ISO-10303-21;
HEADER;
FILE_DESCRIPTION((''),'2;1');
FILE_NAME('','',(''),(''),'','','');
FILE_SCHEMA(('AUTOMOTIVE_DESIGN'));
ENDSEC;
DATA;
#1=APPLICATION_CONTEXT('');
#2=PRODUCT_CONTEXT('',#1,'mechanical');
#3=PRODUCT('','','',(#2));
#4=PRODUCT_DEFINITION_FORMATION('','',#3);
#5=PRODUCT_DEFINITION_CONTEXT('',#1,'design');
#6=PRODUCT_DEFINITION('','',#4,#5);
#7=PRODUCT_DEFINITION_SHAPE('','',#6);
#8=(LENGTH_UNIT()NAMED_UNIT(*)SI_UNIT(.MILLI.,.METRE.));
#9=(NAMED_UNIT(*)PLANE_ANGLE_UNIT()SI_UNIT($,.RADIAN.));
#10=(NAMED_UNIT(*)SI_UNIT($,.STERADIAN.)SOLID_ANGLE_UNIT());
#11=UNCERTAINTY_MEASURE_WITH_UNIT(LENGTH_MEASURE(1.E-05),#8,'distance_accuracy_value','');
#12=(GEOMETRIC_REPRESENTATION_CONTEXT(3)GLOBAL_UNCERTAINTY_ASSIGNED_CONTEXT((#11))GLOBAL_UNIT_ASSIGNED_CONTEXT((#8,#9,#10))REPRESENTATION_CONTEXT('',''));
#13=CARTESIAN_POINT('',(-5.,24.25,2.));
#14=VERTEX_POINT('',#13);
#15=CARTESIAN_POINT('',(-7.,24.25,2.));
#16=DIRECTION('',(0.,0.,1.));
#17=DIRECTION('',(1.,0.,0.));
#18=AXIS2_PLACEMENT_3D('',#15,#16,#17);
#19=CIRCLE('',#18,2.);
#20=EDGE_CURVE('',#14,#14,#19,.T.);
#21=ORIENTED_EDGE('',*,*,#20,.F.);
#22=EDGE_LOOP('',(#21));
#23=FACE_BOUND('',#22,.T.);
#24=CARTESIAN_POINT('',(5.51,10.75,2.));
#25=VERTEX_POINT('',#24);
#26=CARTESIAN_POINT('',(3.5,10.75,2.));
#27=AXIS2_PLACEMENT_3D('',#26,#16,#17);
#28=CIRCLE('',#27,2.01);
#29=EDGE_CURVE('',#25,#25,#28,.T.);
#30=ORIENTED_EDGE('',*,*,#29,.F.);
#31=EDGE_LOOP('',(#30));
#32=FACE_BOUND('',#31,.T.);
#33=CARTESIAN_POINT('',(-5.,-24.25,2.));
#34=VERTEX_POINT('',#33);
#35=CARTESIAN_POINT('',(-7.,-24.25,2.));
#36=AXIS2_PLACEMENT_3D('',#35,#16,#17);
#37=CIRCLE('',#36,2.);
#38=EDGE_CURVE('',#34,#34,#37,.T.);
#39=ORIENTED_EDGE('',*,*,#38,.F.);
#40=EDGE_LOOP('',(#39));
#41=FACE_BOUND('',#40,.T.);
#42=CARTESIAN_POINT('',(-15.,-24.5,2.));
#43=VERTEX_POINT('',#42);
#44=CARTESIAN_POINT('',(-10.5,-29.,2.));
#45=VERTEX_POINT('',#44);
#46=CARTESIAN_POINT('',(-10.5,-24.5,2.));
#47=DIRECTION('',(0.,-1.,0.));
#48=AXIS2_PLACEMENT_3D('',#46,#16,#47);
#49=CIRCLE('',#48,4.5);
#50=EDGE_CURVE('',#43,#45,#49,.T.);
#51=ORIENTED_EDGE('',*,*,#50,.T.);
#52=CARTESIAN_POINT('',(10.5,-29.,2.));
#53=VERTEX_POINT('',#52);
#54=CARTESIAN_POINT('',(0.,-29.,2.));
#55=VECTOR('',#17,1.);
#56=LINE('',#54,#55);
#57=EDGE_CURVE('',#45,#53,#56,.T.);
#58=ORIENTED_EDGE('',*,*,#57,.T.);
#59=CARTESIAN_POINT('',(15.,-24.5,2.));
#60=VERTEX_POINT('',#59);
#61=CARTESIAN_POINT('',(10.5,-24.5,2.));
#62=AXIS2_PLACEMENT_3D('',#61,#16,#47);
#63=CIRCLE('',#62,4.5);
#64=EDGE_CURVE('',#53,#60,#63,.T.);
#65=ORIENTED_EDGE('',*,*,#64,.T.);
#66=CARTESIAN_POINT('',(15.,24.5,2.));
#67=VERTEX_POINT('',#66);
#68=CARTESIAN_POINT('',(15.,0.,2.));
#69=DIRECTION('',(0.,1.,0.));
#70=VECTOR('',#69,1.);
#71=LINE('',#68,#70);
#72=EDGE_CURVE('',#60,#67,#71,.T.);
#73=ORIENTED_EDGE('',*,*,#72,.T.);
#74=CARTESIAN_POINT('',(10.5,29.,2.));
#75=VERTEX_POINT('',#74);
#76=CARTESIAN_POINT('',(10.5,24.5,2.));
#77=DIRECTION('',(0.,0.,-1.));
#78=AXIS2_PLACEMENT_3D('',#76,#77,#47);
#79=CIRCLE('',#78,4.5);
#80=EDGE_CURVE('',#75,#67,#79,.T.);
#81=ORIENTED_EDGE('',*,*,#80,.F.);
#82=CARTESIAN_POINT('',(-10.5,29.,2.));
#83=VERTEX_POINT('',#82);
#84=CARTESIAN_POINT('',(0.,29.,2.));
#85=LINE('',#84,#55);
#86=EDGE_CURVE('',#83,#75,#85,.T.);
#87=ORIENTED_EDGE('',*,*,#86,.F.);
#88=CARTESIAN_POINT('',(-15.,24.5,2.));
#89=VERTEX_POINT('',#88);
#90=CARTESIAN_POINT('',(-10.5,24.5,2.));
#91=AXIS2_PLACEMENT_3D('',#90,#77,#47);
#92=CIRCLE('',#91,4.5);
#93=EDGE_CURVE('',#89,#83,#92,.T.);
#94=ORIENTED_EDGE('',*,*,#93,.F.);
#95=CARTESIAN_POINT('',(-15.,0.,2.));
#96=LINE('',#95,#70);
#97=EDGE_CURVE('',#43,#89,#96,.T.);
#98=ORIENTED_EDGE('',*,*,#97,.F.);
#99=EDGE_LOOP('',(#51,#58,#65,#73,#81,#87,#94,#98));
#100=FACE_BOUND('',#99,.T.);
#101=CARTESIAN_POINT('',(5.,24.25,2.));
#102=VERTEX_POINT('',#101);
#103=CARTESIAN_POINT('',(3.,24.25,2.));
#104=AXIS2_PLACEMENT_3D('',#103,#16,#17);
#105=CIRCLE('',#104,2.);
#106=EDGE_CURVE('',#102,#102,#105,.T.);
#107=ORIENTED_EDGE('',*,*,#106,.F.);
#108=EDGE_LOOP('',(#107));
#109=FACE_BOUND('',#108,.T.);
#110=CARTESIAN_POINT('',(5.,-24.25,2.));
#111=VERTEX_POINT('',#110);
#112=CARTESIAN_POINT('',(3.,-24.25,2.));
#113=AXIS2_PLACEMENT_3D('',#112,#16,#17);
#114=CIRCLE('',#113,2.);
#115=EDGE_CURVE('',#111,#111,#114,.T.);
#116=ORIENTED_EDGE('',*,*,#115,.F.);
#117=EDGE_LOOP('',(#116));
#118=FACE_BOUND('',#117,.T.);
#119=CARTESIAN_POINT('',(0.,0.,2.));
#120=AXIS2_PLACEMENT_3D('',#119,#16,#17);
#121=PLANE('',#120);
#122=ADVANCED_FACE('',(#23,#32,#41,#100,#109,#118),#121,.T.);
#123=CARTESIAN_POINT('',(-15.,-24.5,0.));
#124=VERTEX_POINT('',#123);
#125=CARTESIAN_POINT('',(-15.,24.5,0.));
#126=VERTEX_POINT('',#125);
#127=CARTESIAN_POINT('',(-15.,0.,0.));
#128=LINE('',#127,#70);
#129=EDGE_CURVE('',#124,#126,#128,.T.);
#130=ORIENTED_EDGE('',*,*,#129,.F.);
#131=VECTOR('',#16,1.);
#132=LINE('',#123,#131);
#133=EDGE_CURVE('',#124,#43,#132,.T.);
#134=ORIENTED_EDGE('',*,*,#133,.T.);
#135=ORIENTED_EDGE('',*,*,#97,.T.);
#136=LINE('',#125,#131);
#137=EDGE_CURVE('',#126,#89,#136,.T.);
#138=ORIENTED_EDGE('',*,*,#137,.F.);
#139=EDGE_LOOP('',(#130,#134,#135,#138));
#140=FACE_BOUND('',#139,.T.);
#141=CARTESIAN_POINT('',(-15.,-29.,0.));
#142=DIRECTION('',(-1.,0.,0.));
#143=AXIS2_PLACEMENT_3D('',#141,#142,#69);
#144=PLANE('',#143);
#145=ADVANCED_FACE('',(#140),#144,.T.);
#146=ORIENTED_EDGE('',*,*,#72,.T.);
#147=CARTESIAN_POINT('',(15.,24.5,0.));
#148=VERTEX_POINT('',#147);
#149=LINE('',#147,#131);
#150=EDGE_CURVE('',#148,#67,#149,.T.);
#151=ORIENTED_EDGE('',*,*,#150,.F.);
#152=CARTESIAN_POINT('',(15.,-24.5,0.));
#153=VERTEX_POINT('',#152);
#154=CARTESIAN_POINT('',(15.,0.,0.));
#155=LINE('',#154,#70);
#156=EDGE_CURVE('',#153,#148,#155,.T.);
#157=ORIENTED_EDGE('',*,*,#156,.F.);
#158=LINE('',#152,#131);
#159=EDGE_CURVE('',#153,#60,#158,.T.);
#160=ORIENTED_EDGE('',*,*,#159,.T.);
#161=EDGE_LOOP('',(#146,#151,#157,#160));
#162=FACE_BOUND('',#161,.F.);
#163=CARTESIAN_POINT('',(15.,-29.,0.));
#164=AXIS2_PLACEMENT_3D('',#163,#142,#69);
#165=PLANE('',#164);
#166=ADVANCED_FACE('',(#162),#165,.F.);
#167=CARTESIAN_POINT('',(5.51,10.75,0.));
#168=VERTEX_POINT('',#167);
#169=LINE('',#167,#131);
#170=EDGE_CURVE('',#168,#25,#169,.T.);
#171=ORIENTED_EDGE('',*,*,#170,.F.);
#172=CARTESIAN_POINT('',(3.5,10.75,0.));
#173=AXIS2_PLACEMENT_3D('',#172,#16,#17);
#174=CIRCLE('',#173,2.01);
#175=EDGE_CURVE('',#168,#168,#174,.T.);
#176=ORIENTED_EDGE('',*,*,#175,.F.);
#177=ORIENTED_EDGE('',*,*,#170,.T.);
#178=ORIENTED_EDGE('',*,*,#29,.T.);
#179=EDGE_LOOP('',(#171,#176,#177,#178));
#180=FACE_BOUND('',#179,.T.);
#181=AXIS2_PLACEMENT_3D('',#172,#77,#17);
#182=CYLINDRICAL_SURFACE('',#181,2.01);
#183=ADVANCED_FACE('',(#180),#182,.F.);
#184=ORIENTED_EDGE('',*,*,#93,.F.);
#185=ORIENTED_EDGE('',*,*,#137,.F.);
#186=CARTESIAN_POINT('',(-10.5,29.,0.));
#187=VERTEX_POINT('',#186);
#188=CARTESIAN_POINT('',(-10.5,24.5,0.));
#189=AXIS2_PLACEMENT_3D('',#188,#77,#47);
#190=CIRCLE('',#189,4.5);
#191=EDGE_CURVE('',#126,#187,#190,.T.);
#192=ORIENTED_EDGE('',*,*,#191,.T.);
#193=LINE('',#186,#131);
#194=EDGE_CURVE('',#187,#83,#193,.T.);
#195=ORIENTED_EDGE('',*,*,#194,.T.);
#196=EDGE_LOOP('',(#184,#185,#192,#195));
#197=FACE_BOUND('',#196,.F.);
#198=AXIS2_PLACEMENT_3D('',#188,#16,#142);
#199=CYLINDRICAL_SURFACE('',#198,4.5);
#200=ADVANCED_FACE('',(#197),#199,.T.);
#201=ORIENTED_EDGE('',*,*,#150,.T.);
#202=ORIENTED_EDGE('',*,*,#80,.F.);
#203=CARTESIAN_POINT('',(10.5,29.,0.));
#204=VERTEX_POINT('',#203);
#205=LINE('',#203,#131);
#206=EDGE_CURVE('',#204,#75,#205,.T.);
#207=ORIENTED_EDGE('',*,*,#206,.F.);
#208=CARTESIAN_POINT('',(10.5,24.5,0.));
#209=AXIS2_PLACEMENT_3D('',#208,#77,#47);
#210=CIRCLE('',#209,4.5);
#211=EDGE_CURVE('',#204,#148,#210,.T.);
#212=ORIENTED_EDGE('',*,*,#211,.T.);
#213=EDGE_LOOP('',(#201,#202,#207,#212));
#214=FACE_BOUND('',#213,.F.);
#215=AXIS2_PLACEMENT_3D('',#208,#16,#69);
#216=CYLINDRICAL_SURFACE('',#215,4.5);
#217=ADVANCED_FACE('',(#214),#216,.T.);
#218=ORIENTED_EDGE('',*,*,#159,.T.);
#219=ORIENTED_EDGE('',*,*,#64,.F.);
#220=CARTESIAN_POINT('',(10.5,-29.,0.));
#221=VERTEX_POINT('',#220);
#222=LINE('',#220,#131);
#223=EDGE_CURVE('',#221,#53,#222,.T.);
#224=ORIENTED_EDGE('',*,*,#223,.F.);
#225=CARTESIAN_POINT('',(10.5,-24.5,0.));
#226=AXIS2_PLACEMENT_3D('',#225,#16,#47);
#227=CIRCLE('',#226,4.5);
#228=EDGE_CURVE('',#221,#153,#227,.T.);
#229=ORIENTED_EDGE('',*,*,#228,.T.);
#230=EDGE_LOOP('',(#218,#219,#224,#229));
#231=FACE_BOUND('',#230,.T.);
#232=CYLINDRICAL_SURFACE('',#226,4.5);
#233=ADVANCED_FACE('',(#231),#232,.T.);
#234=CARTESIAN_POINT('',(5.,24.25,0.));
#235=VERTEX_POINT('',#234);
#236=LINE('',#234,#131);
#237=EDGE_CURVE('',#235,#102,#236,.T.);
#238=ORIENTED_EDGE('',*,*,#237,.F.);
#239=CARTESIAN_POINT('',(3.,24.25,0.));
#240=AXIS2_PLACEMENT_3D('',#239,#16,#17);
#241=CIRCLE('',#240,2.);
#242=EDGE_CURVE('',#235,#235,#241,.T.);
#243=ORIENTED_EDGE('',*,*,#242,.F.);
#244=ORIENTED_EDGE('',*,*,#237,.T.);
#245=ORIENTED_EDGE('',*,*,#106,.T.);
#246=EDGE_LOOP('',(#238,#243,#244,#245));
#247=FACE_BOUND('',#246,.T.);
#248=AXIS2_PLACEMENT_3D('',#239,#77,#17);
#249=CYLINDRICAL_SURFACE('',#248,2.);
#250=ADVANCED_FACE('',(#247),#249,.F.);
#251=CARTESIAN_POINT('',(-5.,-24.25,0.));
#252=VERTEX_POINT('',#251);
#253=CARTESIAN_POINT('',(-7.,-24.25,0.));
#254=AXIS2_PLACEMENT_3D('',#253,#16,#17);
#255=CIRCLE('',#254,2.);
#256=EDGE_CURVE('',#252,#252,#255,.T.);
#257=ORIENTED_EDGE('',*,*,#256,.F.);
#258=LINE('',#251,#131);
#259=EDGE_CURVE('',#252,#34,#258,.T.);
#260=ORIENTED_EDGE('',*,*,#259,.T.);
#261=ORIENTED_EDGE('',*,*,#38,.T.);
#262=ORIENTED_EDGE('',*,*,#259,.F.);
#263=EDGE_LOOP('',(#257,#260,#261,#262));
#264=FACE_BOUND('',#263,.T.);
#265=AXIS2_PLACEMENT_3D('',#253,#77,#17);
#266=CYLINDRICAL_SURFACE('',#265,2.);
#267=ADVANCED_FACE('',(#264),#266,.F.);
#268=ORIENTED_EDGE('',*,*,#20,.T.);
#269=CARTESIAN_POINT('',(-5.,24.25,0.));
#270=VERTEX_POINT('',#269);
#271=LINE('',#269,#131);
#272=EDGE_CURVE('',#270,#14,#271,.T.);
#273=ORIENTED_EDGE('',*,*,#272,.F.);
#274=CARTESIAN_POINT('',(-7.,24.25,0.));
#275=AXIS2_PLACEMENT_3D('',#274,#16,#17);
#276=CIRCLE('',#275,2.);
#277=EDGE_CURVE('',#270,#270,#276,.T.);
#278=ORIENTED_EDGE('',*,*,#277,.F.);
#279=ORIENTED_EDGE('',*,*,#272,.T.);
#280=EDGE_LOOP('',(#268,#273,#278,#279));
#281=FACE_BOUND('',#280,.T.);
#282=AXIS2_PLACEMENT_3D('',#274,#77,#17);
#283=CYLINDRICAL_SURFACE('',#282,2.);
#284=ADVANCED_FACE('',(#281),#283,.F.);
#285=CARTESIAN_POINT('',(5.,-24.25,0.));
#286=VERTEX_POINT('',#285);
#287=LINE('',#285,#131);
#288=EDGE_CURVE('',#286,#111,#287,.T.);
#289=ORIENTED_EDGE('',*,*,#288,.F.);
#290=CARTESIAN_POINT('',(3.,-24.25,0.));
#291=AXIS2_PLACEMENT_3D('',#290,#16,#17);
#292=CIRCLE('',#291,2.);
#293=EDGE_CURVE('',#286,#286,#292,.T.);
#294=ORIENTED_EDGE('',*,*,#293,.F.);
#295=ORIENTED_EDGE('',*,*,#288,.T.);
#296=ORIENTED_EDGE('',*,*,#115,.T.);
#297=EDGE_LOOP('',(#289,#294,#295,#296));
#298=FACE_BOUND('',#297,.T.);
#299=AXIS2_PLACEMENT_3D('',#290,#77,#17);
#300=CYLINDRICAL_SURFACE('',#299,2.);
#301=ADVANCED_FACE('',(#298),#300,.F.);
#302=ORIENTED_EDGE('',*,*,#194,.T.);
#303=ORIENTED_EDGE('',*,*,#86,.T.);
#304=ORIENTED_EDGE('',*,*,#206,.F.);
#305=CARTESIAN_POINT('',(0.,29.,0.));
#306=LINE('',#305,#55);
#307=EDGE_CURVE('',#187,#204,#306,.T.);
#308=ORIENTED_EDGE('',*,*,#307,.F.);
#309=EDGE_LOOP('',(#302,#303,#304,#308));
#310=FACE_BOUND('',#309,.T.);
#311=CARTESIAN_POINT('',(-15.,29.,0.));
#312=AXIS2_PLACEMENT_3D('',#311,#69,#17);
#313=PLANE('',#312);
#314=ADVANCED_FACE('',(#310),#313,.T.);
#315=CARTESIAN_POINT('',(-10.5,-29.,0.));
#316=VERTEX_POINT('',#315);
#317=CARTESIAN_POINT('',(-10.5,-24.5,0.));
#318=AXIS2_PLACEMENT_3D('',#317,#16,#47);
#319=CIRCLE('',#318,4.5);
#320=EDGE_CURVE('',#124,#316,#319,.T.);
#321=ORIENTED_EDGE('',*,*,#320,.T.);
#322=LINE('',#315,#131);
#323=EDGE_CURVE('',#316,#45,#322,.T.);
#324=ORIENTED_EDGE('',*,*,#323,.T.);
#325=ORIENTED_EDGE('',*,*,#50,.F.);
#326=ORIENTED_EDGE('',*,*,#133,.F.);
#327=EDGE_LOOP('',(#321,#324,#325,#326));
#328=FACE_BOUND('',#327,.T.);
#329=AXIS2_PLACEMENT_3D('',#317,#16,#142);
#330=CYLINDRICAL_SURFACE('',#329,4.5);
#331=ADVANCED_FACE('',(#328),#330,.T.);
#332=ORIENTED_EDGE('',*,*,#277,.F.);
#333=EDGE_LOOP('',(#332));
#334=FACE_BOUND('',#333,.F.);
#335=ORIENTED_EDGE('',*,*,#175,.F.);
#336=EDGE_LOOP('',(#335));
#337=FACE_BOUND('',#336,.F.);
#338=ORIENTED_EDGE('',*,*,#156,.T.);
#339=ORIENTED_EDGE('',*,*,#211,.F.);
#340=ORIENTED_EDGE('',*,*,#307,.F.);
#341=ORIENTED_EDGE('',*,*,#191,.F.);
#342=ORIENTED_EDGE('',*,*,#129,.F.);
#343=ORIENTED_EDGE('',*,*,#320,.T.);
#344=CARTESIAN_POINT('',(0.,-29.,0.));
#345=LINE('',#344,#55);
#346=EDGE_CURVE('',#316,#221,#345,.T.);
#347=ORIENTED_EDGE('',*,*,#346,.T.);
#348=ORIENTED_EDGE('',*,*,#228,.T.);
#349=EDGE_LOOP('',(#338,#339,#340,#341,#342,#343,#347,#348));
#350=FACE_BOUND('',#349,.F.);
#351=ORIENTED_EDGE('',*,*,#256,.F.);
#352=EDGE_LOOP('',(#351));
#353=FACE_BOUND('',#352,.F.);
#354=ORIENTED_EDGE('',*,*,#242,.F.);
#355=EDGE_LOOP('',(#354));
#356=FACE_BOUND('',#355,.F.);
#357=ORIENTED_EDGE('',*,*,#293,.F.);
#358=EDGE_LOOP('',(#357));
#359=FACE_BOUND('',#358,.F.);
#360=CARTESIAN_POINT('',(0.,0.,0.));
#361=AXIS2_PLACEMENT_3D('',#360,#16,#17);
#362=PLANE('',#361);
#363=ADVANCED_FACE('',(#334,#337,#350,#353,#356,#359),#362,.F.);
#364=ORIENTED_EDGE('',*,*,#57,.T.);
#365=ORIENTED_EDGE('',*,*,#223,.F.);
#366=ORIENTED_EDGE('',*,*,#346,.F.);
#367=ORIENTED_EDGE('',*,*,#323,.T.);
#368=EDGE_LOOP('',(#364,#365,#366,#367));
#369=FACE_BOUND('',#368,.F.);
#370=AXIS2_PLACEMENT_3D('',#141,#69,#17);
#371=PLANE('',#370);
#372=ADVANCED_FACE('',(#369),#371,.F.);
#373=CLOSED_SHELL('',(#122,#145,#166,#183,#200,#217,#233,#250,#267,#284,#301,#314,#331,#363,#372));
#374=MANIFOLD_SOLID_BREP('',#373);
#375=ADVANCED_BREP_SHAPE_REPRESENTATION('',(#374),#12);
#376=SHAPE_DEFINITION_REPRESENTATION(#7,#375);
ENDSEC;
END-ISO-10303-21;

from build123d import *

# Parameters (mm, degrees)
SKETCH1_W           = 30
SKETCH1_H           = 58
SKETCH1_R           = 2
SKETCH1_R_2         = 2.01
BOSS_EXTRUDE1_DEPTH = 2
FILLET1_R           = 4.5


with BuildPart() as part:
    # Sketch1 → Boss-Extrude1 (new body)
    with BuildSketch(Plane.XY):
        Rectangle(SKETCH1_W, SKETCH1_H)
        with Locations((3, 24.25)):
            Circle(SKETCH1_R, mode=Mode.SUBTRACT)
        with Locations((-7, 24.25)):
            Circle(SKETCH1_R, mode=Mode.SUBTRACT)
        with Locations((-7, -24.25)):
            Circle(SKETCH1_R, mode=Mode.SUBTRACT)
        with Locations((3, -24.25)):
            Circle(SKETCH1_R, mode=Mode.SUBTRACT)
        with Locations((3.5, 10.75)):
            Circle(SKETCH1_R_2, mode=Mode.SUBTRACT)
    extrude(amount=BOSS_EXTRUDE1_DEPTH)

    # Fillet1
    fillet1_edges = [part.edges().sort_by_distance(p)[0] for p in [
        (-15, 29, 1),
        (15, 29, 1),
        (15, -29, 1),
        (-15, -29, 1),
    ]]
    fillet(fillet1_edges, radius=FILLET1_R)


solid = part.part
